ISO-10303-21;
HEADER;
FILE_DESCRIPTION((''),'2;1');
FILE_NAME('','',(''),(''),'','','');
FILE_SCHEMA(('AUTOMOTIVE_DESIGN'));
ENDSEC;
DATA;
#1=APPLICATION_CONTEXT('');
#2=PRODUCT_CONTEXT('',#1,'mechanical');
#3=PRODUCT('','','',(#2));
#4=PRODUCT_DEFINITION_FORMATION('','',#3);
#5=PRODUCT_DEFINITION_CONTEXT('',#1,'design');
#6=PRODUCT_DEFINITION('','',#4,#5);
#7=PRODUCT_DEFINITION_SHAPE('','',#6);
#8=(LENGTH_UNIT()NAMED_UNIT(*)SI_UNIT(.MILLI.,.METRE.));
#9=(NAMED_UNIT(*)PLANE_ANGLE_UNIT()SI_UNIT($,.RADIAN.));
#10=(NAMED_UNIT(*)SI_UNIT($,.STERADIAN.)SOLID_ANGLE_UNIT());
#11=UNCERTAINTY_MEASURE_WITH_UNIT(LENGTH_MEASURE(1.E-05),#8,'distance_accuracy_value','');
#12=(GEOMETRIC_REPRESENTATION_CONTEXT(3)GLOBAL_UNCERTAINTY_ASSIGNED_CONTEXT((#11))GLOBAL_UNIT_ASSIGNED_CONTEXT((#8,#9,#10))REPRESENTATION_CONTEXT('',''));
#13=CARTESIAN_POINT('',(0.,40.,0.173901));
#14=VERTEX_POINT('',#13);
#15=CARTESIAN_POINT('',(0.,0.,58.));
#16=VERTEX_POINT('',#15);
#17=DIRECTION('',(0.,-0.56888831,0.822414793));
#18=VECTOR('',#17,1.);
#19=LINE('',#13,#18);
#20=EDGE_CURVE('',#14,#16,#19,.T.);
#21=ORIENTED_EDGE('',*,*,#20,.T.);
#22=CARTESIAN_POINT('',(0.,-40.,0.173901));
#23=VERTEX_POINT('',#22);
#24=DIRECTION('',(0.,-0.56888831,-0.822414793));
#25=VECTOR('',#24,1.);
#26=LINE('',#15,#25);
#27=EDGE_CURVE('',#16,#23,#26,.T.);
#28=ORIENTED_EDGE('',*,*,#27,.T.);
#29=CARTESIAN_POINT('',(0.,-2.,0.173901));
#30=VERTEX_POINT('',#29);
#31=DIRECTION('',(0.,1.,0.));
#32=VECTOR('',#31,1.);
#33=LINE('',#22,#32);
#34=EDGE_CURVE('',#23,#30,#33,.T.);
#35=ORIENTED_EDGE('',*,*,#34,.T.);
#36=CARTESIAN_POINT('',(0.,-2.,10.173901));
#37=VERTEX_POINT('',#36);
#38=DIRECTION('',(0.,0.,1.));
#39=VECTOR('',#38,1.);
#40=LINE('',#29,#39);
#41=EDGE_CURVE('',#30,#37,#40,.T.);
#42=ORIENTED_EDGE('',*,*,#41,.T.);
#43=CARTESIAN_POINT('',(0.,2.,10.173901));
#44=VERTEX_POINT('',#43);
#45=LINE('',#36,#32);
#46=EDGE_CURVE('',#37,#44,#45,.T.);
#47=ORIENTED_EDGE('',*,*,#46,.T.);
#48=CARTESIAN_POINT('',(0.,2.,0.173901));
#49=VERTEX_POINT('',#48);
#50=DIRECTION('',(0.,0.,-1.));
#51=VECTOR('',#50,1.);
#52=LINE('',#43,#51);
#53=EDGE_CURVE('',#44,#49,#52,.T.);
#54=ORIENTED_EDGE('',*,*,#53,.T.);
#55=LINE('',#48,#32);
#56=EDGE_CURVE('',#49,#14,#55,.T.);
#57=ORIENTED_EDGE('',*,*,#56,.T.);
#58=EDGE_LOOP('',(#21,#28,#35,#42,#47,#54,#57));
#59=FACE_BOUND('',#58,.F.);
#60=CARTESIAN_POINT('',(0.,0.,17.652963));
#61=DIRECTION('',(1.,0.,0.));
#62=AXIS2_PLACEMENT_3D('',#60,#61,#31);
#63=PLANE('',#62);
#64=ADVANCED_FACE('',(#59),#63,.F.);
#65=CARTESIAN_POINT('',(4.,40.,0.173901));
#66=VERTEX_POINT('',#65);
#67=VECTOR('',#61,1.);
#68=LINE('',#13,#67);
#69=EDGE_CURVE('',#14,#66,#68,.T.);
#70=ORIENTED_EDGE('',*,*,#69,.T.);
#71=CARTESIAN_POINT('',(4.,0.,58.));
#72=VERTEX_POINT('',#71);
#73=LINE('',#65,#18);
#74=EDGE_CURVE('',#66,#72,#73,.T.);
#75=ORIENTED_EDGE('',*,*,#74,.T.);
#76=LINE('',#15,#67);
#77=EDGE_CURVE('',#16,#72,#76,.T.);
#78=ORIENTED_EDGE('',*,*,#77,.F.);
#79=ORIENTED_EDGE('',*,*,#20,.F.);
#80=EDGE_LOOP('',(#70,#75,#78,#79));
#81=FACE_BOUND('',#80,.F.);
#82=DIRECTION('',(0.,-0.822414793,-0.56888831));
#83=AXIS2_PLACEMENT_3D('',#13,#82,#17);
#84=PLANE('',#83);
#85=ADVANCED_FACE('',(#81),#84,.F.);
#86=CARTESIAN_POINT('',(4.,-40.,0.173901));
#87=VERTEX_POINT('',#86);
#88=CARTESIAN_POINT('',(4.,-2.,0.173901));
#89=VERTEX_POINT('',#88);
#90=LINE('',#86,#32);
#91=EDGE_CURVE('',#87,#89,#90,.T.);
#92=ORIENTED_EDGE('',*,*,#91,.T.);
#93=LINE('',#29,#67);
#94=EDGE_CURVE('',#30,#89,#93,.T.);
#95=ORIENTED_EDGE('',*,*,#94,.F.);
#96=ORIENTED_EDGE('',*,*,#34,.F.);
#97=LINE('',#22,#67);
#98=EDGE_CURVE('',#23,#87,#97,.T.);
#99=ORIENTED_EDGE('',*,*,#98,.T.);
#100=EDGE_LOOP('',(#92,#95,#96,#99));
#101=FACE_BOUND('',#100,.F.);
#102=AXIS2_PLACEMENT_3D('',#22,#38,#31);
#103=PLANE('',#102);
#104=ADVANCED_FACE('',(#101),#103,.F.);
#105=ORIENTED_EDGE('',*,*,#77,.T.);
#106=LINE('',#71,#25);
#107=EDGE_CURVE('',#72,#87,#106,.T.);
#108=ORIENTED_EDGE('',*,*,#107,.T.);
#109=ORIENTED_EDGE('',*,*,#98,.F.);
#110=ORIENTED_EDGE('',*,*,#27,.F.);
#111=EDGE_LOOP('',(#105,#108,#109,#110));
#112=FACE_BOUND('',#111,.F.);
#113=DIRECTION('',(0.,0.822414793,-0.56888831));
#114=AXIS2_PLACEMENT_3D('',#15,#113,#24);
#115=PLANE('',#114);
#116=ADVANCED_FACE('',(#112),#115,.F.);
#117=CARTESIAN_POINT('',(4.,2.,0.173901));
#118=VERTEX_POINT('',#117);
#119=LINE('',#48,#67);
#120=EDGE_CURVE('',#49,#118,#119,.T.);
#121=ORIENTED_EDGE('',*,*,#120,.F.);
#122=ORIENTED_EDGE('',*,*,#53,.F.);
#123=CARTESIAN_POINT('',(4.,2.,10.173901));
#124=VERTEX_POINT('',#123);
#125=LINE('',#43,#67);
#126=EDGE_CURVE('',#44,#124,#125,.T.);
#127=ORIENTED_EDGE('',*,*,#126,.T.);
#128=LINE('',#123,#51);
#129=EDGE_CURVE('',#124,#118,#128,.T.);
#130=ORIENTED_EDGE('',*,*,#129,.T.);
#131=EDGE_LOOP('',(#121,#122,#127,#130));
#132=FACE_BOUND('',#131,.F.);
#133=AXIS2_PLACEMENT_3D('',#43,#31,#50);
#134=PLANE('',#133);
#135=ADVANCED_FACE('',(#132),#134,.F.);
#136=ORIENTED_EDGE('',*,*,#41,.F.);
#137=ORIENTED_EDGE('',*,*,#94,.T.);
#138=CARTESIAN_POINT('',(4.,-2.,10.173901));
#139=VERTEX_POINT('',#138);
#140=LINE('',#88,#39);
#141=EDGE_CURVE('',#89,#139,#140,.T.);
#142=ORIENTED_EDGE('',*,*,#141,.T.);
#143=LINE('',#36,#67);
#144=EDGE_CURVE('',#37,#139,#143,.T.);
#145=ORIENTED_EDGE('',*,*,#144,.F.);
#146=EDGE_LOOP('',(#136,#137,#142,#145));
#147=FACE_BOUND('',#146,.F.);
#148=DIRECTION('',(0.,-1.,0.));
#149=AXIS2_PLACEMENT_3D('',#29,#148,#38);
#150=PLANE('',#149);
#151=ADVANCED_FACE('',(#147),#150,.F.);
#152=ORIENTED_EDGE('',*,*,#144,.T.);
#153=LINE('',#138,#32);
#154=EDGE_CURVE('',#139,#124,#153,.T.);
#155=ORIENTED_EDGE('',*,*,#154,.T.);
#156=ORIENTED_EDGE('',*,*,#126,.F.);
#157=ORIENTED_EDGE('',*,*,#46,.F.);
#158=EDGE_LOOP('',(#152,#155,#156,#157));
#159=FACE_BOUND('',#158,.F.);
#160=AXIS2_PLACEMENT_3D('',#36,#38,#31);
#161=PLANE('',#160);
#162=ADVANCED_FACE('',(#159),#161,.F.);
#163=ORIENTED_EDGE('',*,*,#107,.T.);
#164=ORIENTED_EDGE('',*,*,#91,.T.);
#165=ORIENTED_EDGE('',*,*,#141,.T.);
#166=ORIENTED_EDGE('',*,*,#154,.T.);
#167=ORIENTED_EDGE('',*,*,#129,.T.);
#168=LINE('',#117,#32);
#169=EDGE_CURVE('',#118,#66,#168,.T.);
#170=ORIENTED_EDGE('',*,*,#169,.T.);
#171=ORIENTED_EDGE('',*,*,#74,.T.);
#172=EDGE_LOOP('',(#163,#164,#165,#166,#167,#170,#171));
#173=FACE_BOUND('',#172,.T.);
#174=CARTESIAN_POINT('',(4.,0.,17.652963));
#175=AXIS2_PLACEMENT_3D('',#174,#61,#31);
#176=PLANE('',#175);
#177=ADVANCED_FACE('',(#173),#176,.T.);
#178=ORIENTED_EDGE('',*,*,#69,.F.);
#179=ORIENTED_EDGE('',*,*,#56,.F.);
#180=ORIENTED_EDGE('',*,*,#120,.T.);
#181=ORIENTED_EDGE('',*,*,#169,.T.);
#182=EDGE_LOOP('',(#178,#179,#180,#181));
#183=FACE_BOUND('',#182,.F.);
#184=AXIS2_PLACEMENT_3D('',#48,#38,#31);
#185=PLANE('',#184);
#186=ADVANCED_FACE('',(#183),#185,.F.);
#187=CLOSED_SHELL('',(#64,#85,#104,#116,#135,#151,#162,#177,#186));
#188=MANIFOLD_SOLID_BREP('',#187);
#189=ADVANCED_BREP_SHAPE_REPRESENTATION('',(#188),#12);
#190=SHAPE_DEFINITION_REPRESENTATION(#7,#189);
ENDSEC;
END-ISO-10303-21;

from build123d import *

# Parameters (mm, degrees)
PAD_DEPTH = 4


with BuildPart() as part:
    # Sketch → Pad (new body)
    with BuildSketch(Plane.YZ):
        Polygon((0, 58), (-40, 0.173901), (-2, 0.173901), (-2, 10.173901), (2, 10.173901), (2, 0.173901), (40, 0.173901), align=None)
    extrude(amount=PAD_DEPTH)


solid = part.part
